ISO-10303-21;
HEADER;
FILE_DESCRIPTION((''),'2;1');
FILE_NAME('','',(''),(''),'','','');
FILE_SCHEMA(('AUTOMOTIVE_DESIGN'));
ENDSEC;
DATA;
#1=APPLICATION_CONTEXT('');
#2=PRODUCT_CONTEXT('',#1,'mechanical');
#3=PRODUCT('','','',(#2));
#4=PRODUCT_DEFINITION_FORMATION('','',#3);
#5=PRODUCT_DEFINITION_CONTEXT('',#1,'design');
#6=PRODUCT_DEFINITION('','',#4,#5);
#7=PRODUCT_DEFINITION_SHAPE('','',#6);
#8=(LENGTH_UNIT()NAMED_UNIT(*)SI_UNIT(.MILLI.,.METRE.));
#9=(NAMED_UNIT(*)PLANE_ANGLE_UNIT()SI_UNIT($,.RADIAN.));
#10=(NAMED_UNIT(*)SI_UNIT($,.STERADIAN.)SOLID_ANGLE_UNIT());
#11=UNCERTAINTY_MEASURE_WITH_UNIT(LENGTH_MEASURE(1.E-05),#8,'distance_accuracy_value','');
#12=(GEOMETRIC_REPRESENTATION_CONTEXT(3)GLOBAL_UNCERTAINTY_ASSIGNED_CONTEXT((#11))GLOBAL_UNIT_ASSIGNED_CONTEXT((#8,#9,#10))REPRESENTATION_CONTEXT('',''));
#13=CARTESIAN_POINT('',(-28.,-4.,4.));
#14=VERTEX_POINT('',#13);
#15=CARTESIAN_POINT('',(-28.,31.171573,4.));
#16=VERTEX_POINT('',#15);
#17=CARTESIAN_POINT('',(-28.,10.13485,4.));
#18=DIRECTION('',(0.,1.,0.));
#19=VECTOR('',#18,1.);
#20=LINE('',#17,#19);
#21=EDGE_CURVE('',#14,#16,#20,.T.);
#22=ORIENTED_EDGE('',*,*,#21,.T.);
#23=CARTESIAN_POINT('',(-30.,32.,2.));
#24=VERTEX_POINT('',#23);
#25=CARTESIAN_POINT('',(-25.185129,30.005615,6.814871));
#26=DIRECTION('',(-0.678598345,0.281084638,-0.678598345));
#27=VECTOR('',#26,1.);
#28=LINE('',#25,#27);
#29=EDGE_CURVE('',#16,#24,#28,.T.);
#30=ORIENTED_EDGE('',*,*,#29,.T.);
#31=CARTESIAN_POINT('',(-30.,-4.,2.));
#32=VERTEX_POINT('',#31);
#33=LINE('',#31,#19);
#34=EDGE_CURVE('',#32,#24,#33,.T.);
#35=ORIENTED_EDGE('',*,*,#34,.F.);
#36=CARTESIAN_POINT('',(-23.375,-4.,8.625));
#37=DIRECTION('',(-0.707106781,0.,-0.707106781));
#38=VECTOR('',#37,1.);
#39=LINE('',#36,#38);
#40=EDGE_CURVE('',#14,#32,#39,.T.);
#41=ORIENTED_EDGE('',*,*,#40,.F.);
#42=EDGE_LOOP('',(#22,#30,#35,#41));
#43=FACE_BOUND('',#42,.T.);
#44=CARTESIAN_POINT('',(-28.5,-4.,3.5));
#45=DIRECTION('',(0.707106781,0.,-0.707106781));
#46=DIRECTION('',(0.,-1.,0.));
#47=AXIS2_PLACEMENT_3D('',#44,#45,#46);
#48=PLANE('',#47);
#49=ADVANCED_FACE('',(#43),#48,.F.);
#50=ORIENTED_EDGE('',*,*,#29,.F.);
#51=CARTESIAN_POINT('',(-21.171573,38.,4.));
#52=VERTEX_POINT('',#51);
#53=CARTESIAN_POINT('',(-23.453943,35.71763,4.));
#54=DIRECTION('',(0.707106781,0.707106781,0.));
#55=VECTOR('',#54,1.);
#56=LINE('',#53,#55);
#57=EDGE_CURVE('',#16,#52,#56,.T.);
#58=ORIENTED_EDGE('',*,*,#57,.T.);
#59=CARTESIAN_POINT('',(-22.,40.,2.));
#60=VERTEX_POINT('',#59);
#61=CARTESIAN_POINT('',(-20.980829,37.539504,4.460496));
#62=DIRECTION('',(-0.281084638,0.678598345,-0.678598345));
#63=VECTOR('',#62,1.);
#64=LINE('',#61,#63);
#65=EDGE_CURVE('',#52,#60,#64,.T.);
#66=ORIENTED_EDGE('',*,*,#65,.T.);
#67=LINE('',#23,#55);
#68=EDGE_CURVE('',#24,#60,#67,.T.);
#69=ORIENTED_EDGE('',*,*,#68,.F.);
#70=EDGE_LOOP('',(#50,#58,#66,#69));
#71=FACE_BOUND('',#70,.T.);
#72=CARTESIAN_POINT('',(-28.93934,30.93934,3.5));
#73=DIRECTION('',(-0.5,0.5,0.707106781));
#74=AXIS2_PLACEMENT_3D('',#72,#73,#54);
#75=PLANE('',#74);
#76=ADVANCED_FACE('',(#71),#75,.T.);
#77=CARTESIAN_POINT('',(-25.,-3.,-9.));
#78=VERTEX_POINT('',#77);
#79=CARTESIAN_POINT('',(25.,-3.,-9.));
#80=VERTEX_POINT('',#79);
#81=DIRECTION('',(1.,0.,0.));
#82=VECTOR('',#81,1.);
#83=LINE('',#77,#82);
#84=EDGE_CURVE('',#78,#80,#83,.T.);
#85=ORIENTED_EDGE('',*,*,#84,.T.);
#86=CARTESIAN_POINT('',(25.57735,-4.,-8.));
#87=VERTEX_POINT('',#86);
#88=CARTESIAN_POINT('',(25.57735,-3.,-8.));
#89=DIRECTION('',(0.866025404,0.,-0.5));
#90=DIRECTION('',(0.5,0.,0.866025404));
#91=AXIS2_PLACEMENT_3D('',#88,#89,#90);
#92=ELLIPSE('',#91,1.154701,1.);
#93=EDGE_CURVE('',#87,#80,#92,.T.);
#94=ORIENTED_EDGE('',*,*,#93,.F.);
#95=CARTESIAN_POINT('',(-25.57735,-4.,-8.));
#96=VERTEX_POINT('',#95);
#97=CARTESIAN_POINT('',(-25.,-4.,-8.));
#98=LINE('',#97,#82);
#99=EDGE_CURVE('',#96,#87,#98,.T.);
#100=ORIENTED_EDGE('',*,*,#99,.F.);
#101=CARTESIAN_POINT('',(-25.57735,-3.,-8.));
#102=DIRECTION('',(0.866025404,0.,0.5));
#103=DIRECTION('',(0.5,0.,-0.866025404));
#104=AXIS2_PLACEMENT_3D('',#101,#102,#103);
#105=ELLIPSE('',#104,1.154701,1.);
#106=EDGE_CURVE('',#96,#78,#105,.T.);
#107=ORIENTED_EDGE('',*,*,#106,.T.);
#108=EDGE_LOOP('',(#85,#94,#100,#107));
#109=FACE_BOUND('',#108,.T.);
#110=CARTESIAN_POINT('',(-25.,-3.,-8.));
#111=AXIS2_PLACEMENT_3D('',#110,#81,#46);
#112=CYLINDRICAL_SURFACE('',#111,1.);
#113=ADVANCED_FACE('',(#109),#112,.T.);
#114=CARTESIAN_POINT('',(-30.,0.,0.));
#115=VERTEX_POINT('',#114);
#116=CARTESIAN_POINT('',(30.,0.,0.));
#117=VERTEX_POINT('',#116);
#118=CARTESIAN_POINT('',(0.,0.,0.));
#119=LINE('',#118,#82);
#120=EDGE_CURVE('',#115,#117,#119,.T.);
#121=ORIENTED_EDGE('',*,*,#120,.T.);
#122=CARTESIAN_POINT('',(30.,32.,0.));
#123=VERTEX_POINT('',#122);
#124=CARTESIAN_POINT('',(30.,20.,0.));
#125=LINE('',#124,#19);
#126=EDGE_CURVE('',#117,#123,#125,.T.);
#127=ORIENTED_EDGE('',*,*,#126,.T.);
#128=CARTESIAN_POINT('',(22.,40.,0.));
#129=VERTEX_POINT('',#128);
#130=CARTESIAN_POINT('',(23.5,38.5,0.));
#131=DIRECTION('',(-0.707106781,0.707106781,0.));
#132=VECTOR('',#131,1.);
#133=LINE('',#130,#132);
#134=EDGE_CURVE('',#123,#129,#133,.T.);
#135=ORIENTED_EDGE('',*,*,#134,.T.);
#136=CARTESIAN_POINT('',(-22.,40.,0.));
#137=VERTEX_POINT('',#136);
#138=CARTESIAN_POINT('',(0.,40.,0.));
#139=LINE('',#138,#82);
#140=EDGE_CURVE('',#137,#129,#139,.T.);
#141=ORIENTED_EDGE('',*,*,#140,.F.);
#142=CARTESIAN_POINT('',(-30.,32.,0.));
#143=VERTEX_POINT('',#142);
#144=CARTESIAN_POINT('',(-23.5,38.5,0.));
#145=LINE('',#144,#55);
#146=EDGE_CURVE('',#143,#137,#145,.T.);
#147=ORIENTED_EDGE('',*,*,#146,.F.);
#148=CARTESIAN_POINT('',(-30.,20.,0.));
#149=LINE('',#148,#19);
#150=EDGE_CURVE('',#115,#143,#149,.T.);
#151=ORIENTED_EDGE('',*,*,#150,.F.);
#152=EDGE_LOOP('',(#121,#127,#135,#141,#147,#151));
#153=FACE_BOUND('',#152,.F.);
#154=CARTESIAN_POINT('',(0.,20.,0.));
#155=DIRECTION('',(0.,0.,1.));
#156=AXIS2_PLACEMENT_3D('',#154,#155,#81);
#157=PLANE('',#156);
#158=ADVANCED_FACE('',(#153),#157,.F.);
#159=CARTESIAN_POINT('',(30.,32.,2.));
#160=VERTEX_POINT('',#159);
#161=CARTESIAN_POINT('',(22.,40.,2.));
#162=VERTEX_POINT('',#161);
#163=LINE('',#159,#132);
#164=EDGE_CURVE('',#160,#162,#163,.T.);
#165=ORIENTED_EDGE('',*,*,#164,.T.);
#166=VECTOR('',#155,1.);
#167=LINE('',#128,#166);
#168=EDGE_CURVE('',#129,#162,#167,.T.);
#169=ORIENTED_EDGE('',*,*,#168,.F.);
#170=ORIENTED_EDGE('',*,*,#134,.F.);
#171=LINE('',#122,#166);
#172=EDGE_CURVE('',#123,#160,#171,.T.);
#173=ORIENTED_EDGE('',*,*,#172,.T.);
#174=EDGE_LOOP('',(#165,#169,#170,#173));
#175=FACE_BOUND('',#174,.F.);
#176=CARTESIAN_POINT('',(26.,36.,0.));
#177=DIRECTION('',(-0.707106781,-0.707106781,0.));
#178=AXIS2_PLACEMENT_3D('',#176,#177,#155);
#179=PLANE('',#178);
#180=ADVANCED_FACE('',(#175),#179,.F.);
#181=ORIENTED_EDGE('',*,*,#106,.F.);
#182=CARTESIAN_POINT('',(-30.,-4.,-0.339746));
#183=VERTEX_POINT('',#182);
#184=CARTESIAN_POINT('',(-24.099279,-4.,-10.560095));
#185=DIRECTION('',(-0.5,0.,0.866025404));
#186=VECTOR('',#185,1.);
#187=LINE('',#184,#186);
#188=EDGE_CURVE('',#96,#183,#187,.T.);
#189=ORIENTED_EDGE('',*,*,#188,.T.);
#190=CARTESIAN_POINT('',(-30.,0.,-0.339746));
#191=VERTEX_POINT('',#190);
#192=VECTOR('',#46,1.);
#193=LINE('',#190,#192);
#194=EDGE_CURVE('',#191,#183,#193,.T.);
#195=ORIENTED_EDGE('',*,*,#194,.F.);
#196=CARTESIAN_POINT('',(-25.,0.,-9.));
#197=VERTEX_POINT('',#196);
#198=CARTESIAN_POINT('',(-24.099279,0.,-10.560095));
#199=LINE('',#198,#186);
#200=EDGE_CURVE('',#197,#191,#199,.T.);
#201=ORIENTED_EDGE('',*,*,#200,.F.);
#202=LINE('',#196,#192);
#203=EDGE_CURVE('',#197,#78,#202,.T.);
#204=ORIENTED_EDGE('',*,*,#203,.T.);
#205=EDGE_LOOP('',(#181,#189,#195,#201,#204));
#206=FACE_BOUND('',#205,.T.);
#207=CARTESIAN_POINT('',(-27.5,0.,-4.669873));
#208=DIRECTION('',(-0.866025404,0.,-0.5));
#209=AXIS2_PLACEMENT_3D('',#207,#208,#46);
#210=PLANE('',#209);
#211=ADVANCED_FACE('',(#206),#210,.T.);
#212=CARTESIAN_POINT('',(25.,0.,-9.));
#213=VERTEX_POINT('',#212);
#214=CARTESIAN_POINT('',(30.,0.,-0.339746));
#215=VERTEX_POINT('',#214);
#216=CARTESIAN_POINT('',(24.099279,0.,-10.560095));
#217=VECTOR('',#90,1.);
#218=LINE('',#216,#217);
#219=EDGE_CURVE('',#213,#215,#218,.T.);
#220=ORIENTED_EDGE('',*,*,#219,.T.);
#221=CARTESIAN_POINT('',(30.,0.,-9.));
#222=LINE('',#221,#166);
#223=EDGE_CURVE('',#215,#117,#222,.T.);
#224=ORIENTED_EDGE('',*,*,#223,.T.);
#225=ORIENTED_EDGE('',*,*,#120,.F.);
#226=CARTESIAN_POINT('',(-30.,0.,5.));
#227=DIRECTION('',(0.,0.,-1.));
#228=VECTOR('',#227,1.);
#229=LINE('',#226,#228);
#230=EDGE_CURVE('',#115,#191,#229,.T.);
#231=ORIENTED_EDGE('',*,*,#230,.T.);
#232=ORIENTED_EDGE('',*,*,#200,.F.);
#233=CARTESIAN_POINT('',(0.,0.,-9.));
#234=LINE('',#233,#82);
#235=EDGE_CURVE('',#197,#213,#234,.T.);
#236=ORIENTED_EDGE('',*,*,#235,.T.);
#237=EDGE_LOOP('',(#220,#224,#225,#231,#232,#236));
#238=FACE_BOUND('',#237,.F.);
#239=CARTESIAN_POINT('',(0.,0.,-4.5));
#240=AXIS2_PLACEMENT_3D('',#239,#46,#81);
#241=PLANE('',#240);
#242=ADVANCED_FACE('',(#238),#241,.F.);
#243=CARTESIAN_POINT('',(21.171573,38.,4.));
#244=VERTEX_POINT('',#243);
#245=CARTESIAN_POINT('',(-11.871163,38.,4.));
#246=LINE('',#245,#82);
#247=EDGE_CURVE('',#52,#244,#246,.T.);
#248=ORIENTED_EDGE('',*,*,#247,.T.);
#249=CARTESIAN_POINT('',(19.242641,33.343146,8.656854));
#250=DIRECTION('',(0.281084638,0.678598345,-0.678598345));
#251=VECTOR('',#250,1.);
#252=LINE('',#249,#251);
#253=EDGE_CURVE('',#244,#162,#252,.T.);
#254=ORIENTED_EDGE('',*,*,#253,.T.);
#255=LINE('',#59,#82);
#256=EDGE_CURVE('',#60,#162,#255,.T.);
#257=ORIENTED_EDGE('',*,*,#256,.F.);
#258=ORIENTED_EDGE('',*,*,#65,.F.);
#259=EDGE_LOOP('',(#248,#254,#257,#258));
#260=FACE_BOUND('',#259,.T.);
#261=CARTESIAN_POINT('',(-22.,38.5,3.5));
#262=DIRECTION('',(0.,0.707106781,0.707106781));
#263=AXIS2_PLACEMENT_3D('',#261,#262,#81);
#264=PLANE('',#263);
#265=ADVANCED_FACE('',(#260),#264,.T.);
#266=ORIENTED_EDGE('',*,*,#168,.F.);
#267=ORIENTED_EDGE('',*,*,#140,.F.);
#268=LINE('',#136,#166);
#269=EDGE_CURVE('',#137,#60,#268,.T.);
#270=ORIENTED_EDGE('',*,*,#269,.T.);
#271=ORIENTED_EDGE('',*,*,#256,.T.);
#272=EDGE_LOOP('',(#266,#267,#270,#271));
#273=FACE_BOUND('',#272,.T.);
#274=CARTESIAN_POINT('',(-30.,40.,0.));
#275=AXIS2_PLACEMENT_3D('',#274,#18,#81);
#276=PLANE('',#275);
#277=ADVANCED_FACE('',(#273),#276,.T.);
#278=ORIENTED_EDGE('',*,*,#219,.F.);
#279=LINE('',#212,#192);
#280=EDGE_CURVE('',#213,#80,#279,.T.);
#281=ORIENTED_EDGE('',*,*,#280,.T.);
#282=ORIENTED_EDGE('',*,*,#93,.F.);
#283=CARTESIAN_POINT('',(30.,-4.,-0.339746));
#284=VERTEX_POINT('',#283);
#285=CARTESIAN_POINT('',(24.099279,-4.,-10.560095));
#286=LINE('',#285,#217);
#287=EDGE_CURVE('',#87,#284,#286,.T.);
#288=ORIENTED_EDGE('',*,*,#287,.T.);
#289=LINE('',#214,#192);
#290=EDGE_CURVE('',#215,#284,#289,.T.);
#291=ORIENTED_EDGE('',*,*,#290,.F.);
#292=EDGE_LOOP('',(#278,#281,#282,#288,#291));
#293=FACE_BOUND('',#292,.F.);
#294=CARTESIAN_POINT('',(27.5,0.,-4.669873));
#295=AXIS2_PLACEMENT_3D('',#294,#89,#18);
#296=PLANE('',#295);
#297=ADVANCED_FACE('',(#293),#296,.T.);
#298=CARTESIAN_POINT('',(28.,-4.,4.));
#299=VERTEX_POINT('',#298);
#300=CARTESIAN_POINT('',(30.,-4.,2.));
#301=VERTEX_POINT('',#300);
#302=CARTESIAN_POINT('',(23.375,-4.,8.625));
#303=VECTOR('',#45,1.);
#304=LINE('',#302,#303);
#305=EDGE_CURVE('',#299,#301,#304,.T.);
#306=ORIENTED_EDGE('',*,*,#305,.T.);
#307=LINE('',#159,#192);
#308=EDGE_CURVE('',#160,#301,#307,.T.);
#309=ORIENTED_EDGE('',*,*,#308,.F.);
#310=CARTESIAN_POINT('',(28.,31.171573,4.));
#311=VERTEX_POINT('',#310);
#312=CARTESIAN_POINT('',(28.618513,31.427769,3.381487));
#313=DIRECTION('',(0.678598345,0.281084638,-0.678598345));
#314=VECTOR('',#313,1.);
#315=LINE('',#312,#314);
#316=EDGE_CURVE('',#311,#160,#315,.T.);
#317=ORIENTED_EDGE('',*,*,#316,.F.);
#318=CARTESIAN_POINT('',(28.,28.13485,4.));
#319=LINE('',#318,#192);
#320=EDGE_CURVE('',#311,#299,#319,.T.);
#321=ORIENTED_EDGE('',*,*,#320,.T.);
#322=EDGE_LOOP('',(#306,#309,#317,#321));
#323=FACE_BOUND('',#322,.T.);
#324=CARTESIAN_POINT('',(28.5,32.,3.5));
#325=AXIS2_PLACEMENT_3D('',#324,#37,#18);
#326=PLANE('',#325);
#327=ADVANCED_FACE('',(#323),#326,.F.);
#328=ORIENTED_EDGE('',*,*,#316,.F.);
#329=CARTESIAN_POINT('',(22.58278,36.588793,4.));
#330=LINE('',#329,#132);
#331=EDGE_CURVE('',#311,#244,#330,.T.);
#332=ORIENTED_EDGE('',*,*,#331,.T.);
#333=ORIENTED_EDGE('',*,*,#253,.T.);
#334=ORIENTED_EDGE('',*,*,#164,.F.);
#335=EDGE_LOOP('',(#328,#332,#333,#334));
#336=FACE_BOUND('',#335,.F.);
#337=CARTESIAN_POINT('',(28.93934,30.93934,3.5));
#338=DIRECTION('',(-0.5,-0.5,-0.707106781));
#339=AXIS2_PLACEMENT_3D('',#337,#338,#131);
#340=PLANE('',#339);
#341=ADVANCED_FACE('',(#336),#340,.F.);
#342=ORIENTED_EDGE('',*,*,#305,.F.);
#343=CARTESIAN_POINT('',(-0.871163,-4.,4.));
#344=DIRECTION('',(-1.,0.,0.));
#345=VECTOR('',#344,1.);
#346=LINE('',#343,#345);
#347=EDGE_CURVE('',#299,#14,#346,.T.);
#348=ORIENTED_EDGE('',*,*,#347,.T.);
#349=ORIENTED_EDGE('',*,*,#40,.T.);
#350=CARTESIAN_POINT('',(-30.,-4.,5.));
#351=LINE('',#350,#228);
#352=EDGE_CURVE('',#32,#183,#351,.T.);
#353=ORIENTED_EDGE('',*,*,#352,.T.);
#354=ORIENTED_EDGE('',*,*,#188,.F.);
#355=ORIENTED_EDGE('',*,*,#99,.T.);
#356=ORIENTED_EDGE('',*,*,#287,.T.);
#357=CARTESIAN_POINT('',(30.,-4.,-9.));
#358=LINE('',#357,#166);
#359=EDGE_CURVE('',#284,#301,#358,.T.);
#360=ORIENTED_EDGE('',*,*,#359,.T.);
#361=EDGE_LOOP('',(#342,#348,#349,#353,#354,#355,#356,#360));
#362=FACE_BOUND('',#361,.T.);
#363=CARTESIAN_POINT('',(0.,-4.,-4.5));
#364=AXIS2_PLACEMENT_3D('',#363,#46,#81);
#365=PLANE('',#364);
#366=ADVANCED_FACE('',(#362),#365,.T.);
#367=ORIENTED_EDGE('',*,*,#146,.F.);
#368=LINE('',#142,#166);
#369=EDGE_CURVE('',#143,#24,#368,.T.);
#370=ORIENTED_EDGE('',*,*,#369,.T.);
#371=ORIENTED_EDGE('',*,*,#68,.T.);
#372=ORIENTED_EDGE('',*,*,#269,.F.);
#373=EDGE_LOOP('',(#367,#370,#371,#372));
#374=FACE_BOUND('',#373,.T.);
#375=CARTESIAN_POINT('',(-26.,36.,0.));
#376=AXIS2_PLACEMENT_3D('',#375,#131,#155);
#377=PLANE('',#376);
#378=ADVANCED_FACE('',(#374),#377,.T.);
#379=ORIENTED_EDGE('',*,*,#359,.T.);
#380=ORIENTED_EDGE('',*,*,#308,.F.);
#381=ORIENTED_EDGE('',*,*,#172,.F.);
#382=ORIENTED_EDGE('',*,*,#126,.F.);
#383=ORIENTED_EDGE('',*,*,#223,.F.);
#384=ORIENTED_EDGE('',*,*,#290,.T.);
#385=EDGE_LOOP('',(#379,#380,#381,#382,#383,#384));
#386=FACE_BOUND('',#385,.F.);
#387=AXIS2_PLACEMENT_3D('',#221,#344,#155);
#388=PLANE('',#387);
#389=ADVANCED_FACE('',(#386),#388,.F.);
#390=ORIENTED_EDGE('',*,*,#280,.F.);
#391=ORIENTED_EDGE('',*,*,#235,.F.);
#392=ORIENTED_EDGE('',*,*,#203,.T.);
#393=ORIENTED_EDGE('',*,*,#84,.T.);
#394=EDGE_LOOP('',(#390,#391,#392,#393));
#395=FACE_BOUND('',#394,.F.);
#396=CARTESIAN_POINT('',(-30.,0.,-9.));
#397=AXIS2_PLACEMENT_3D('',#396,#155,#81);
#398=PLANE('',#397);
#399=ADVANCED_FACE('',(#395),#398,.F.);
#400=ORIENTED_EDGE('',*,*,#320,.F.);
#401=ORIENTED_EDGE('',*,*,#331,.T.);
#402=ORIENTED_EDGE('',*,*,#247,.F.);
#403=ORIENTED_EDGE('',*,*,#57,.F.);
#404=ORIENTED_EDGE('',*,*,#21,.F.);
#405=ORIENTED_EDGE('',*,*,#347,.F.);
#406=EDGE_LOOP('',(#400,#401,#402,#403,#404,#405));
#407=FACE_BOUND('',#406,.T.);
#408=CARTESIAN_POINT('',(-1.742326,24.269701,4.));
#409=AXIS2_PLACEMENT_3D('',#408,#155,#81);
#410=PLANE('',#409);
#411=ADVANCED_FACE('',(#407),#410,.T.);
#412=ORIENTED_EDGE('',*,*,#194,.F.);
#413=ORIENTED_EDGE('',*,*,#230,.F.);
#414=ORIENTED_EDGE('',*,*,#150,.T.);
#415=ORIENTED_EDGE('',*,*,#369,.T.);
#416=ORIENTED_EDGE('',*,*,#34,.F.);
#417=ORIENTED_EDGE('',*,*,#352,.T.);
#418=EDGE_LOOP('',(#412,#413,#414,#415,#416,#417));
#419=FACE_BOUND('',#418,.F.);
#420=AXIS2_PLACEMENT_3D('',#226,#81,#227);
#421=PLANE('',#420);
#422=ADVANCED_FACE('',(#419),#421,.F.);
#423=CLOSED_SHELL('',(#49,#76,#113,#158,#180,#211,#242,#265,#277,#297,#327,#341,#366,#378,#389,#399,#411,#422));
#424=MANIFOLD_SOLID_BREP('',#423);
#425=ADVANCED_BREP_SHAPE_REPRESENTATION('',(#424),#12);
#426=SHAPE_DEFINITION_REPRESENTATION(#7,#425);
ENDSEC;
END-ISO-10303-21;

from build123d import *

# Parameters (mm, degrees)
F0_W     = 60
F0_H     = 40
F1_DEPTH = 5
F2_SIZE  = 8
F3_W     = 60
F3_H     = 9
F3_H_2   = 5
F4_DEPTH = 4
F5_SIZE  = 3
F6_SIZE2 = 8.6602540378
F6_SIZE  = 5
F7_R     = 1
F8_W     = 85.4819267988
F8_H     = 62.53941264
F9_DEPTH = 1


with BuildPart() as f1:
    # F0 (on Top) → F1 (new body)
    with BuildSketch(Plane.XY):
        with Locations((0, 20)):
            Rectangle(F0_W, F0_H)
    extrude(amount=F1_DEPTH)

    # F2
    f2_edges = [f1.edges().sort_by_distance(p)[0] for p in [
        (30, 40, 2.5),
        (-30, 40, 2.5),
    ]]
    chamfer(f2_edges, length=F2_SIZE)

    # F3 (on face) → F4 (join)
    with BuildSketch(Plane.XZ):
        with Locations((0, -4.5)):
            Rectangle(F3_W, F3_H)
        with Locations((0, 2.5)):
            Rectangle(F3_W, F3_H_2)
    extrude(amount=F4_DEPTH)

    # F5
    f5_edges = [f1.edges().sort_by_distance(p)[0] for p in [
        (-30, 14, 5),
        (30, 14, 5),
        (0, 40, 5),
        (26, 36, 5),
        (-26, 36, 5),
    ]]
    chamfer(f5_edges, length=F5_SIZE)

    # F6
    f6_edges = [f1.edges().sort_by_distance(p)[0] for p in [
        (-30, -2, -9),
        (30, -2, -9),
    ]]
    f6_side = f1.faces().sort_by_distance((0, -2, -9))[0]
    chamfer(f6_edges, length=F6_SIZE, length2=F6_SIZE2, reference=f6_side)

    # F7
    f7_edges = [f1.edges().sort_by_distance(p)[0] for p in [
        (0, -4, -9),
    ]]
    fillet(f7_edges, radius=F7_R)

    # F8 (on face) → F9 (cut)
    with BuildSketch(Plane.XY.offset(5)):
        with Locations((-1.7423257232, 24.269700516)):
            Rectangle(F8_W, F8_H)
        Polygon((27, -4), (-27, -4), (-27, 30.7573593129), (-20.7573593129, 37), (20.7573593129, 37), (27, 30.7573593129), align=None, mode=Mode.SUBTRACT)
        Polygon((-27, 30.7573593129), (-27, -4), (27, -4), (27, 30.7573593129), (20.7573593129, 37), (-20.7573593129, 37), align=None)
    extrude(amount=-F9_DEPTH, mode=Mode.SUBTRACT)


solid = f1.part
